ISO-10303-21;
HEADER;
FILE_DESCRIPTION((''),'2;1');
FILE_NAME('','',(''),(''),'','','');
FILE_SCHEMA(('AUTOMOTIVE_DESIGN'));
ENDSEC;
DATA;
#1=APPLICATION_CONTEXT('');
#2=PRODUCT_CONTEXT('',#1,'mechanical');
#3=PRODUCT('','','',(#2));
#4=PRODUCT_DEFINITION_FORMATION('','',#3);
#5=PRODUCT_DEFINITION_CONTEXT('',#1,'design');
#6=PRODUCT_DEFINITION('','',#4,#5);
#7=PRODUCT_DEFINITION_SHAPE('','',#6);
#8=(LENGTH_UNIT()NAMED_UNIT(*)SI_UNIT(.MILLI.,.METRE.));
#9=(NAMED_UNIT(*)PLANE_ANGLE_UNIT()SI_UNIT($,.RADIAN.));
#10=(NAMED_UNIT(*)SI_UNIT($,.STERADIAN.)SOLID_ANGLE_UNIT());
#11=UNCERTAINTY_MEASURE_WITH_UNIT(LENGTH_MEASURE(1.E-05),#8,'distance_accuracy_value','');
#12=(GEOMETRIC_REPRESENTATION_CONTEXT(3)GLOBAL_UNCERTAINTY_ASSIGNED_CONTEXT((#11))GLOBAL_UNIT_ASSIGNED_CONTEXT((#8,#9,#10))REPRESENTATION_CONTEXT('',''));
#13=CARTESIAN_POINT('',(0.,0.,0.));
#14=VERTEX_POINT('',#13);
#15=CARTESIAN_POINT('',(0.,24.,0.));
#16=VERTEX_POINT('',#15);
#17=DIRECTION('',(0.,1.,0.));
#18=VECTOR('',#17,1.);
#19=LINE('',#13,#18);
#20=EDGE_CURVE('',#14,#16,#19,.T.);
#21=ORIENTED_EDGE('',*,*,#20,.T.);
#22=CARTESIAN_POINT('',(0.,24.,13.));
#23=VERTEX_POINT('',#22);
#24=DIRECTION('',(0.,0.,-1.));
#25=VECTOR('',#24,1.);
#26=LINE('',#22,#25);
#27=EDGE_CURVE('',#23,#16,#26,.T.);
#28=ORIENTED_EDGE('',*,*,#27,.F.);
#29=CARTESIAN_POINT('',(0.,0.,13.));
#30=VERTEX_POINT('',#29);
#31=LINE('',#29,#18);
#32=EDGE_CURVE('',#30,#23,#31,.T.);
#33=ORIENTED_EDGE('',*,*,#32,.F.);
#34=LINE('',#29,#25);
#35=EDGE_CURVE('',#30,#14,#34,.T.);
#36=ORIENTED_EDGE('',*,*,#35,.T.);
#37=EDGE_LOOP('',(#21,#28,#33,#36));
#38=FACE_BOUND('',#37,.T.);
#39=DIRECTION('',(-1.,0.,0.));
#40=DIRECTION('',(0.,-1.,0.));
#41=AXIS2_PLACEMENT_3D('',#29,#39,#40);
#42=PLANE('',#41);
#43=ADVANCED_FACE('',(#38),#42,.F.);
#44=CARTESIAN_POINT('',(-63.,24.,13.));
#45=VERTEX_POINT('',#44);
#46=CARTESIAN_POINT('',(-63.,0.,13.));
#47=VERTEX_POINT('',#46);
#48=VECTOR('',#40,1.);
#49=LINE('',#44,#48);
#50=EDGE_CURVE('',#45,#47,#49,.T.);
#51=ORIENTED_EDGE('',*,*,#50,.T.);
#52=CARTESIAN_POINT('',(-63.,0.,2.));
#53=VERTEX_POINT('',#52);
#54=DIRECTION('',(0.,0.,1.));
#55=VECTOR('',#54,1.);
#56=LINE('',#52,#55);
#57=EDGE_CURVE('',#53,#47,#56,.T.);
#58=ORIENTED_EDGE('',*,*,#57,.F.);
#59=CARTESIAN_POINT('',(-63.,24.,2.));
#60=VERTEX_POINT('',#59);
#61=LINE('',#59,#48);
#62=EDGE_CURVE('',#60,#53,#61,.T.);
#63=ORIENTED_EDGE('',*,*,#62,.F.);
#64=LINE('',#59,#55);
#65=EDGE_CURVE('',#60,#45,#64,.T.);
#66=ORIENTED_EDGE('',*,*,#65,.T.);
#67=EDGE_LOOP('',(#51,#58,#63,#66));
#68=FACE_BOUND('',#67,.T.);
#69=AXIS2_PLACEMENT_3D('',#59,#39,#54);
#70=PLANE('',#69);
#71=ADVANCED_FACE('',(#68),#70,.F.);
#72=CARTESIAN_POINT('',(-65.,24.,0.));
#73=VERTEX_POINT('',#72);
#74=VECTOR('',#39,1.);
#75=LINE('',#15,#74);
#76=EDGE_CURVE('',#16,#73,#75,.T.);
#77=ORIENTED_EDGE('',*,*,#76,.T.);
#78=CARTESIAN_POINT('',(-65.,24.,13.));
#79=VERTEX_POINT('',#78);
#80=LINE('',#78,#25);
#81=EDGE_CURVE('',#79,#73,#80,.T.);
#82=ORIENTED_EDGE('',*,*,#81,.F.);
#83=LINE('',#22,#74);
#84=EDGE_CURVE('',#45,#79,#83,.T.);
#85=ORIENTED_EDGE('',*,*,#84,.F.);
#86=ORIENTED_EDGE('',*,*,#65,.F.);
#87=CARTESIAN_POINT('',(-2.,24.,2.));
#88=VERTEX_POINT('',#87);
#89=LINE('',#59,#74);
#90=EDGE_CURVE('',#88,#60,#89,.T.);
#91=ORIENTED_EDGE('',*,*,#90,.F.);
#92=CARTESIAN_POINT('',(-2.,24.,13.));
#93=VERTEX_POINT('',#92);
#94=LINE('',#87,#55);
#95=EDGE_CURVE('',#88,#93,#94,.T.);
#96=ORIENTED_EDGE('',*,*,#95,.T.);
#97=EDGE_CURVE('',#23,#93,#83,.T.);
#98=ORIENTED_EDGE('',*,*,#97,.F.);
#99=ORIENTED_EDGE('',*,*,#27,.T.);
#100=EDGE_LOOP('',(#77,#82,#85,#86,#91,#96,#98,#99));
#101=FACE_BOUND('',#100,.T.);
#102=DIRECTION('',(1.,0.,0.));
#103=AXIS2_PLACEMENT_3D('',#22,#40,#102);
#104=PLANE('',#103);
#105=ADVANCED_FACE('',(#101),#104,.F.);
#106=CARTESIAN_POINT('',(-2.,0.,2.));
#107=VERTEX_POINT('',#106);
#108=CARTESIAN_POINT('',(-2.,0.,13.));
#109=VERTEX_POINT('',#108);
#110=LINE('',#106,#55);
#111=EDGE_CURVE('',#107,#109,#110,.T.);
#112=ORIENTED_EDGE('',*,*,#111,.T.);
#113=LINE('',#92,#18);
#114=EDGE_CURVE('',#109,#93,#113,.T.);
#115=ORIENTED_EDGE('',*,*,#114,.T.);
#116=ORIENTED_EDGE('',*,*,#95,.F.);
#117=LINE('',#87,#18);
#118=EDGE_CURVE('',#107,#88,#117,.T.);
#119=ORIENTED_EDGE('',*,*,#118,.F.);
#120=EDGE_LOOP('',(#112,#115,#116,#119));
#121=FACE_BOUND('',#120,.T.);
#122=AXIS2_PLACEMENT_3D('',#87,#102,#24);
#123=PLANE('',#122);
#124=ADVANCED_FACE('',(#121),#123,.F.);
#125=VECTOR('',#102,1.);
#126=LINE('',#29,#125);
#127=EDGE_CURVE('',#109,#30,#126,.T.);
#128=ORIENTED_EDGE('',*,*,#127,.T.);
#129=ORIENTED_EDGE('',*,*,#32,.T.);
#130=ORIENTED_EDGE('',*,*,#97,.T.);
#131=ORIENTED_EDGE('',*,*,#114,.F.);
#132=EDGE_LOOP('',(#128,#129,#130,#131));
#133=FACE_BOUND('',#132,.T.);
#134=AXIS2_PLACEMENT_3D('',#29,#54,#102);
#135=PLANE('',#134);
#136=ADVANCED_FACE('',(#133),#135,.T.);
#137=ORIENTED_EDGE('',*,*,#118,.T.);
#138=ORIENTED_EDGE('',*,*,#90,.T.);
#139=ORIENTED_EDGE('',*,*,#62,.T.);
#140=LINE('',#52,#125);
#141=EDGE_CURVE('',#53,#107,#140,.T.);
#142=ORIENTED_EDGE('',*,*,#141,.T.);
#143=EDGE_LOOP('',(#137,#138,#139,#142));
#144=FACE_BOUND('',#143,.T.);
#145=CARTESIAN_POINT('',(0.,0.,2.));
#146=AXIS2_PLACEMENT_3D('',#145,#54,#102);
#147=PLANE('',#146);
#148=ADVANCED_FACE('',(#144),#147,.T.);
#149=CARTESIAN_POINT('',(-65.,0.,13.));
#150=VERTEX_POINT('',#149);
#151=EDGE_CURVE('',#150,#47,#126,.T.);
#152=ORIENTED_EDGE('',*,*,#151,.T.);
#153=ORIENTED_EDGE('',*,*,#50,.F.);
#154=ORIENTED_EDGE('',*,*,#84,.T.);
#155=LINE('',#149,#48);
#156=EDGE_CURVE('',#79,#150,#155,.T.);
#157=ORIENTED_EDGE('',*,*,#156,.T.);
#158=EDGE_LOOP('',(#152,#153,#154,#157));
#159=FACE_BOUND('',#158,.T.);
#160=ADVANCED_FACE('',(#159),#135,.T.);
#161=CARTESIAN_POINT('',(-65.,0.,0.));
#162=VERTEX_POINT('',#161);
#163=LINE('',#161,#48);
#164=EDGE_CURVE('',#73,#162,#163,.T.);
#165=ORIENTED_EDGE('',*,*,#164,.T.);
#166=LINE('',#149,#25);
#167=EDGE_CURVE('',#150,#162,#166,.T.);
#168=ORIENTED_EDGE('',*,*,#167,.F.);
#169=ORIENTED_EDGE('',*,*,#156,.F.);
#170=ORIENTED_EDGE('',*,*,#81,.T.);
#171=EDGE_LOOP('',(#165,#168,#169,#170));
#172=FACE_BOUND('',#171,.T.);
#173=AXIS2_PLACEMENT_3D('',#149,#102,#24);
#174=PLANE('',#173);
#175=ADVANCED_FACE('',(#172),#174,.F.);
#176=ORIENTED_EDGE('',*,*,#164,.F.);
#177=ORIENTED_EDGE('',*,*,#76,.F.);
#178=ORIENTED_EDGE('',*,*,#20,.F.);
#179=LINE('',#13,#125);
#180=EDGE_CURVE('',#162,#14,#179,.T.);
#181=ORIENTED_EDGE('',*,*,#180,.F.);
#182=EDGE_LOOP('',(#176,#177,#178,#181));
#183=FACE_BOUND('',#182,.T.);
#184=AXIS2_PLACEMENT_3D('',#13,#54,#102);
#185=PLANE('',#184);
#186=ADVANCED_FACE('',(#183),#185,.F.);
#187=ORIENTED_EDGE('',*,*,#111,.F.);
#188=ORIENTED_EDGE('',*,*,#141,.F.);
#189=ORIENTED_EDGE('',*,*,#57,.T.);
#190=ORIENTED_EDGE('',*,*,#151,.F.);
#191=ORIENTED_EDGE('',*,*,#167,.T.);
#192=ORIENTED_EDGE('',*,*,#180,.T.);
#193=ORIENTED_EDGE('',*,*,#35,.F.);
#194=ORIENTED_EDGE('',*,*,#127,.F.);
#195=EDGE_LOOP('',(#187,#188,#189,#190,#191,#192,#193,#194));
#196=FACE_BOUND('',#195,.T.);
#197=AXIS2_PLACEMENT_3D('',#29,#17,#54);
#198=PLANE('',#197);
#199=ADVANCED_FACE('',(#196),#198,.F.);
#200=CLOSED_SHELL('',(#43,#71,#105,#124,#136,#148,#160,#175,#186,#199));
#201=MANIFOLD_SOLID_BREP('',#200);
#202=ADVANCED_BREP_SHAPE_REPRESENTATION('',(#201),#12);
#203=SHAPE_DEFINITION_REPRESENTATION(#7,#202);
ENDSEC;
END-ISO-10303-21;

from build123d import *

# Parameters (mm, degrees)
SKETCH_1_W          = 65
SKETCH_1_H          = 24
EXTRUDE_1_DEPTH     = 13
SKETCH_2_W          = 61
SKETCH_2_H          = 24
CUT_EXTRUDE_1_DEPTH = 11


with BuildPart() as part:
    # 草圖1 → 填料-伸長1 (new body)
    with BuildSketch(Plane.XY):
        with Locations((-32.5, 12)):
            Rectangle(SKETCH_1_W, SKETCH_1_H)
    extrude(amount=EXTRUDE_1_DEPTH)

    # 草圖2 → 除料-伸長1 (cut)
    with BuildSketch(Plane.XY.offset(13)):
        with Locations((-32.5, 12)):
            Rectangle(SKETCH_2_W, SKETCH_2_H)
    extrude(amount=-CUT_EXTRUDE_1_DEPTH, mode=Mode.SUBTRACT)


solid = part.part
